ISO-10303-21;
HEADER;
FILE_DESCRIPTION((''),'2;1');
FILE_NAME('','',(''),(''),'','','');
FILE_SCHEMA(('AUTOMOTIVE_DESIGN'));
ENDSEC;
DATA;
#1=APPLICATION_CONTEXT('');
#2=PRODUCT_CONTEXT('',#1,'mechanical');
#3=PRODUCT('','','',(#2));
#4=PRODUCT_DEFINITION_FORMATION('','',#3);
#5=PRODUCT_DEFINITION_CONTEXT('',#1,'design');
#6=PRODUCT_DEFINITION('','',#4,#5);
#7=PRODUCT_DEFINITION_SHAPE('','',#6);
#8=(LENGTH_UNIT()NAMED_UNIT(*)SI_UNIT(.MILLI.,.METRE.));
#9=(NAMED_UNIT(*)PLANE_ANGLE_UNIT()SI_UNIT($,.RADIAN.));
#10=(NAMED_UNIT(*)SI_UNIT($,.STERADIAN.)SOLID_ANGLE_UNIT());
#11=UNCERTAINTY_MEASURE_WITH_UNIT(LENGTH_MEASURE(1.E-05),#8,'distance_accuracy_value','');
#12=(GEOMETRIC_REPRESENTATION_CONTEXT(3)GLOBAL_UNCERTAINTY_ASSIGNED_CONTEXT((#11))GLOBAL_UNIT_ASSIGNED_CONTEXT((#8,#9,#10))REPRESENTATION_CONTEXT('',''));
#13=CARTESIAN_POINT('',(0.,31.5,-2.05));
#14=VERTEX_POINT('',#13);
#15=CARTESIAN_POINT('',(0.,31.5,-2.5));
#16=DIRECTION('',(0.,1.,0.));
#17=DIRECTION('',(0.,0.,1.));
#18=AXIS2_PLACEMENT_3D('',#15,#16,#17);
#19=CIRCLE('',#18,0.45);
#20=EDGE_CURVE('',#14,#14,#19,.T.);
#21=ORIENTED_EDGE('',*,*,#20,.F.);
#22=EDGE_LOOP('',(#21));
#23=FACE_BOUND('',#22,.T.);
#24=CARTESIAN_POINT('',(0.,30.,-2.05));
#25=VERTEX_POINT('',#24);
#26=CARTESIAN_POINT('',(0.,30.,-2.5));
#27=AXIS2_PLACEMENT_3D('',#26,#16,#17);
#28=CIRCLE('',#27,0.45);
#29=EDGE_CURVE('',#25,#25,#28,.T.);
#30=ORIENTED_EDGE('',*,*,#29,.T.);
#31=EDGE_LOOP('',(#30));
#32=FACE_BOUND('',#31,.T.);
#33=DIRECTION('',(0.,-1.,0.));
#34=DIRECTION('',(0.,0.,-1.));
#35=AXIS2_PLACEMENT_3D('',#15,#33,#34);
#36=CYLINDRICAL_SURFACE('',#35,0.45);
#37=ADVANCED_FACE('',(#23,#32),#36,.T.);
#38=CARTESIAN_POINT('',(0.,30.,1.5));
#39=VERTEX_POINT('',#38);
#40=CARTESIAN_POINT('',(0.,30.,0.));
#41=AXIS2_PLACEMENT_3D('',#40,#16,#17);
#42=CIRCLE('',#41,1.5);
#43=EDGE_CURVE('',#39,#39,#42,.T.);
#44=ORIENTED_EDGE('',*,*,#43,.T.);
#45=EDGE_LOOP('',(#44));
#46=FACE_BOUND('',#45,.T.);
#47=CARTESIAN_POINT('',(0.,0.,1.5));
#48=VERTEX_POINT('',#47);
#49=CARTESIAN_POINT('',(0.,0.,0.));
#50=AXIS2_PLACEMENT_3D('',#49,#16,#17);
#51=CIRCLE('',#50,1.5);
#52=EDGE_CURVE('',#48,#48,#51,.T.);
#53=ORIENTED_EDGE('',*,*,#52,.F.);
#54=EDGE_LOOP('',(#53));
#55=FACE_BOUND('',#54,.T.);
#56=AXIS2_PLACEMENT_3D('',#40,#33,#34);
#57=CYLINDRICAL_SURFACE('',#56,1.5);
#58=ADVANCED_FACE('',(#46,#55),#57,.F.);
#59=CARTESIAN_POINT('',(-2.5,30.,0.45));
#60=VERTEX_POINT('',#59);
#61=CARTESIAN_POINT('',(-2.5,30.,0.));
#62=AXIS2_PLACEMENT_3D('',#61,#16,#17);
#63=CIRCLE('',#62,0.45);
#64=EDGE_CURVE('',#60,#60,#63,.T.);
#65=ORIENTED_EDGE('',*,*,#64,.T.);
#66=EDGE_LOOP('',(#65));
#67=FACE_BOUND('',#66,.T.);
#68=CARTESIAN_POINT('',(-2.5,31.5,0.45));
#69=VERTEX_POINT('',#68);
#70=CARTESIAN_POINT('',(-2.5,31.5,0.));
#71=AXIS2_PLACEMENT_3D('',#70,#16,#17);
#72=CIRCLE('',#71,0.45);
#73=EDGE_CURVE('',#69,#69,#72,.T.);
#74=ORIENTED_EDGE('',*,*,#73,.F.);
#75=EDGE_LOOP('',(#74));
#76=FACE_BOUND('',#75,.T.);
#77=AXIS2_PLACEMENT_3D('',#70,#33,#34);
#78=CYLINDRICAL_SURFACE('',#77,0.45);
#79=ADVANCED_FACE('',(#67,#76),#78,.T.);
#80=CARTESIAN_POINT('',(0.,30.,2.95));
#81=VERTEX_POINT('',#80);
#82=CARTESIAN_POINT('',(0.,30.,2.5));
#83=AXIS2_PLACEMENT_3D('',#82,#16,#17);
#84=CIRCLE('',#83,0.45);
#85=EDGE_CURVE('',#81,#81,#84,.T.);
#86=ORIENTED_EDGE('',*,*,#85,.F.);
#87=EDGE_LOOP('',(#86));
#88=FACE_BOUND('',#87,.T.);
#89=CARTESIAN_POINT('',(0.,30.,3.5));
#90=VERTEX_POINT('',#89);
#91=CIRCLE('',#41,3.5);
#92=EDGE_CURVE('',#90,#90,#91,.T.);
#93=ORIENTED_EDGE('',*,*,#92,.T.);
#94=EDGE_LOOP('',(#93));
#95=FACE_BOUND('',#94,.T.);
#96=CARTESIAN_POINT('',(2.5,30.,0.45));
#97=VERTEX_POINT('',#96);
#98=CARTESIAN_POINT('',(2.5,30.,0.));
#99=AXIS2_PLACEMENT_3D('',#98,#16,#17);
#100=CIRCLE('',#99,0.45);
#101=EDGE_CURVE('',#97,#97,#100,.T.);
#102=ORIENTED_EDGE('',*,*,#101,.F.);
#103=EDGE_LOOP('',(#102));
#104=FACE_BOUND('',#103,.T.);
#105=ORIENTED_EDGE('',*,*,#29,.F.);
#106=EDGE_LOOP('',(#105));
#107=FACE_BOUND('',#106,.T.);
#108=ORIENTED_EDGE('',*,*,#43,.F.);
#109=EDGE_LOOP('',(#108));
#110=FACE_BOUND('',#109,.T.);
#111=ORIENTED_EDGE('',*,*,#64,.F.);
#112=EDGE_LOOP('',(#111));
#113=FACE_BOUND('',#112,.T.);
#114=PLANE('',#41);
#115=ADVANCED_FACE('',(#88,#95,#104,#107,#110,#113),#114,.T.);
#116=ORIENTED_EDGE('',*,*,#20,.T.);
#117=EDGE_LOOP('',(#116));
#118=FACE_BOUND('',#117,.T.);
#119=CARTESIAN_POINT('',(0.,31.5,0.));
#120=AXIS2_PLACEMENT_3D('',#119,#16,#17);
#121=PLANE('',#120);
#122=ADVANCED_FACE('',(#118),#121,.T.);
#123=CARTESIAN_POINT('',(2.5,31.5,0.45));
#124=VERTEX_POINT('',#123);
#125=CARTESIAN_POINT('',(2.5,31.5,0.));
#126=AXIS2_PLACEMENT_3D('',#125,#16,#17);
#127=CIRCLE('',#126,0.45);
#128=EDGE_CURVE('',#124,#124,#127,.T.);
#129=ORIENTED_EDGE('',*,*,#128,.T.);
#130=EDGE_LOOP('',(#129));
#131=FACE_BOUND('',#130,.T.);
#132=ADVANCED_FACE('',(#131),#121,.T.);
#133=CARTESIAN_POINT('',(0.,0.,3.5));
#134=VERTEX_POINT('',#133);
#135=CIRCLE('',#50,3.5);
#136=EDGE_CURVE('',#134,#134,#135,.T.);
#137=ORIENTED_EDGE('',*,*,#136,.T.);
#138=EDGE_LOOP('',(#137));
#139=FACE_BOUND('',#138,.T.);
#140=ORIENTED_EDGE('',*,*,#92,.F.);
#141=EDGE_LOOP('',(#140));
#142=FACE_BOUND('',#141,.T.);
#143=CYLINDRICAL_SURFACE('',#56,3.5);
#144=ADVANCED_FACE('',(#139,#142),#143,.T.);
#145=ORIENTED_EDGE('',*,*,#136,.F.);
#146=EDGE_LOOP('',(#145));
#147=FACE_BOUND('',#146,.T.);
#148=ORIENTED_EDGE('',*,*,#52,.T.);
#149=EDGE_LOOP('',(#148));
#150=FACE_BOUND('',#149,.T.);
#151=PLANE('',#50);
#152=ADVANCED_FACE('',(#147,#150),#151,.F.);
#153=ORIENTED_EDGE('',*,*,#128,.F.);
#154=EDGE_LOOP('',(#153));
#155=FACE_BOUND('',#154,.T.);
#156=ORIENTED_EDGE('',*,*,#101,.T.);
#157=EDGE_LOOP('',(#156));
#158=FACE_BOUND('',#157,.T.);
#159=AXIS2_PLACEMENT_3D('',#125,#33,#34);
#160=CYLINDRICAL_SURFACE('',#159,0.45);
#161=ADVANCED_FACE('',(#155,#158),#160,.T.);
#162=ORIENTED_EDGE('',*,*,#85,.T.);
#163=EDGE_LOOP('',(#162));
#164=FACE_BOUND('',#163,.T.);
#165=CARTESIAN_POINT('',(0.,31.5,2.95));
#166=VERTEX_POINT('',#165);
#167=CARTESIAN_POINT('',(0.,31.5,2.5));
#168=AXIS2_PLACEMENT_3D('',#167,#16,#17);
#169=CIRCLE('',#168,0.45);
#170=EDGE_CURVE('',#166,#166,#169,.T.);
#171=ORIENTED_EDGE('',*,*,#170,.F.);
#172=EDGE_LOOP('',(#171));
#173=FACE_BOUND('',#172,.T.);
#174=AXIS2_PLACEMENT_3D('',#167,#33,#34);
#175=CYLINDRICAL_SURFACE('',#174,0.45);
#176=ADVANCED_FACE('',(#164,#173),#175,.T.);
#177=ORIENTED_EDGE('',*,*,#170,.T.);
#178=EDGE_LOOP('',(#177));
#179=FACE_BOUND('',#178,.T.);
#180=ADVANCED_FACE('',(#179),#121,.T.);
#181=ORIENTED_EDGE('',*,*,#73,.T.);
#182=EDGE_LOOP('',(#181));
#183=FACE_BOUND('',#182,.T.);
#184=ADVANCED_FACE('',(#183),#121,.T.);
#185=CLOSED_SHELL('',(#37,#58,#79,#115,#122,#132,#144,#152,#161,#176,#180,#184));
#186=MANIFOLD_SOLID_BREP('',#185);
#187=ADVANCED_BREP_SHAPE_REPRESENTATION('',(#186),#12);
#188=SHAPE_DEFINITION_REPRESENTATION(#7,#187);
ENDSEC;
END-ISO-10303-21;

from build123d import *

# Parameters (mm, degrees)
SKETCH_1_R      = 3.5
SKETCH_1_R_2    = 1.5
EXTRUDE_2_DEPTH = 30
SKETCH_3_R      = 0.45
EXTRUDE_4_DEPTH = 1.5


with BuildPart() as part:
    # 草图1 → 凸台-拉伸2 (new body)
    with BuildSketch(Plane(origin=(0, 0, 0), x_dir=(1, 0, 0), z_dir=(0, 1, 0))):
        with Locations(Location((0, 0, 0), (0, 0, 270))):
            Circle(SKETCH_1_R)
        with Locations(Location((0, 0, 0), (0, 0, 270))):
            Circle(SKETCH_1_R_2, mode=Mode.SUBTRACT)
    extrude(amount=EXTRUDE_2_DEPTH)

    # 草图3 → 凸台-拉伸4 (add)
    with BuildSketch(Plane(origin=(0, 30, 0), x_dir=(1, 0, 0), z_dir=(0, 1, 0))):
        with Locations(Location((0, 2.5, 0), (0, 0, 270))):
            Circle(SKETCH_3_R)
        with Locations(Location((2.5, 0, 0), (0, 0, 270))):
            Circle(SKETCH_3_R)
        with Locations(Location((0, -2.5, 0), (0, 0, 270))):
            Circle(SKETCH_3_R)
        with Locations(Location((-2.5, 0, 0), (0, 0, 270))):
            Circle(SKETCH_3_R)
    extrude(amount=EXTRUDE_4_DEPTH)


solid = part.part
